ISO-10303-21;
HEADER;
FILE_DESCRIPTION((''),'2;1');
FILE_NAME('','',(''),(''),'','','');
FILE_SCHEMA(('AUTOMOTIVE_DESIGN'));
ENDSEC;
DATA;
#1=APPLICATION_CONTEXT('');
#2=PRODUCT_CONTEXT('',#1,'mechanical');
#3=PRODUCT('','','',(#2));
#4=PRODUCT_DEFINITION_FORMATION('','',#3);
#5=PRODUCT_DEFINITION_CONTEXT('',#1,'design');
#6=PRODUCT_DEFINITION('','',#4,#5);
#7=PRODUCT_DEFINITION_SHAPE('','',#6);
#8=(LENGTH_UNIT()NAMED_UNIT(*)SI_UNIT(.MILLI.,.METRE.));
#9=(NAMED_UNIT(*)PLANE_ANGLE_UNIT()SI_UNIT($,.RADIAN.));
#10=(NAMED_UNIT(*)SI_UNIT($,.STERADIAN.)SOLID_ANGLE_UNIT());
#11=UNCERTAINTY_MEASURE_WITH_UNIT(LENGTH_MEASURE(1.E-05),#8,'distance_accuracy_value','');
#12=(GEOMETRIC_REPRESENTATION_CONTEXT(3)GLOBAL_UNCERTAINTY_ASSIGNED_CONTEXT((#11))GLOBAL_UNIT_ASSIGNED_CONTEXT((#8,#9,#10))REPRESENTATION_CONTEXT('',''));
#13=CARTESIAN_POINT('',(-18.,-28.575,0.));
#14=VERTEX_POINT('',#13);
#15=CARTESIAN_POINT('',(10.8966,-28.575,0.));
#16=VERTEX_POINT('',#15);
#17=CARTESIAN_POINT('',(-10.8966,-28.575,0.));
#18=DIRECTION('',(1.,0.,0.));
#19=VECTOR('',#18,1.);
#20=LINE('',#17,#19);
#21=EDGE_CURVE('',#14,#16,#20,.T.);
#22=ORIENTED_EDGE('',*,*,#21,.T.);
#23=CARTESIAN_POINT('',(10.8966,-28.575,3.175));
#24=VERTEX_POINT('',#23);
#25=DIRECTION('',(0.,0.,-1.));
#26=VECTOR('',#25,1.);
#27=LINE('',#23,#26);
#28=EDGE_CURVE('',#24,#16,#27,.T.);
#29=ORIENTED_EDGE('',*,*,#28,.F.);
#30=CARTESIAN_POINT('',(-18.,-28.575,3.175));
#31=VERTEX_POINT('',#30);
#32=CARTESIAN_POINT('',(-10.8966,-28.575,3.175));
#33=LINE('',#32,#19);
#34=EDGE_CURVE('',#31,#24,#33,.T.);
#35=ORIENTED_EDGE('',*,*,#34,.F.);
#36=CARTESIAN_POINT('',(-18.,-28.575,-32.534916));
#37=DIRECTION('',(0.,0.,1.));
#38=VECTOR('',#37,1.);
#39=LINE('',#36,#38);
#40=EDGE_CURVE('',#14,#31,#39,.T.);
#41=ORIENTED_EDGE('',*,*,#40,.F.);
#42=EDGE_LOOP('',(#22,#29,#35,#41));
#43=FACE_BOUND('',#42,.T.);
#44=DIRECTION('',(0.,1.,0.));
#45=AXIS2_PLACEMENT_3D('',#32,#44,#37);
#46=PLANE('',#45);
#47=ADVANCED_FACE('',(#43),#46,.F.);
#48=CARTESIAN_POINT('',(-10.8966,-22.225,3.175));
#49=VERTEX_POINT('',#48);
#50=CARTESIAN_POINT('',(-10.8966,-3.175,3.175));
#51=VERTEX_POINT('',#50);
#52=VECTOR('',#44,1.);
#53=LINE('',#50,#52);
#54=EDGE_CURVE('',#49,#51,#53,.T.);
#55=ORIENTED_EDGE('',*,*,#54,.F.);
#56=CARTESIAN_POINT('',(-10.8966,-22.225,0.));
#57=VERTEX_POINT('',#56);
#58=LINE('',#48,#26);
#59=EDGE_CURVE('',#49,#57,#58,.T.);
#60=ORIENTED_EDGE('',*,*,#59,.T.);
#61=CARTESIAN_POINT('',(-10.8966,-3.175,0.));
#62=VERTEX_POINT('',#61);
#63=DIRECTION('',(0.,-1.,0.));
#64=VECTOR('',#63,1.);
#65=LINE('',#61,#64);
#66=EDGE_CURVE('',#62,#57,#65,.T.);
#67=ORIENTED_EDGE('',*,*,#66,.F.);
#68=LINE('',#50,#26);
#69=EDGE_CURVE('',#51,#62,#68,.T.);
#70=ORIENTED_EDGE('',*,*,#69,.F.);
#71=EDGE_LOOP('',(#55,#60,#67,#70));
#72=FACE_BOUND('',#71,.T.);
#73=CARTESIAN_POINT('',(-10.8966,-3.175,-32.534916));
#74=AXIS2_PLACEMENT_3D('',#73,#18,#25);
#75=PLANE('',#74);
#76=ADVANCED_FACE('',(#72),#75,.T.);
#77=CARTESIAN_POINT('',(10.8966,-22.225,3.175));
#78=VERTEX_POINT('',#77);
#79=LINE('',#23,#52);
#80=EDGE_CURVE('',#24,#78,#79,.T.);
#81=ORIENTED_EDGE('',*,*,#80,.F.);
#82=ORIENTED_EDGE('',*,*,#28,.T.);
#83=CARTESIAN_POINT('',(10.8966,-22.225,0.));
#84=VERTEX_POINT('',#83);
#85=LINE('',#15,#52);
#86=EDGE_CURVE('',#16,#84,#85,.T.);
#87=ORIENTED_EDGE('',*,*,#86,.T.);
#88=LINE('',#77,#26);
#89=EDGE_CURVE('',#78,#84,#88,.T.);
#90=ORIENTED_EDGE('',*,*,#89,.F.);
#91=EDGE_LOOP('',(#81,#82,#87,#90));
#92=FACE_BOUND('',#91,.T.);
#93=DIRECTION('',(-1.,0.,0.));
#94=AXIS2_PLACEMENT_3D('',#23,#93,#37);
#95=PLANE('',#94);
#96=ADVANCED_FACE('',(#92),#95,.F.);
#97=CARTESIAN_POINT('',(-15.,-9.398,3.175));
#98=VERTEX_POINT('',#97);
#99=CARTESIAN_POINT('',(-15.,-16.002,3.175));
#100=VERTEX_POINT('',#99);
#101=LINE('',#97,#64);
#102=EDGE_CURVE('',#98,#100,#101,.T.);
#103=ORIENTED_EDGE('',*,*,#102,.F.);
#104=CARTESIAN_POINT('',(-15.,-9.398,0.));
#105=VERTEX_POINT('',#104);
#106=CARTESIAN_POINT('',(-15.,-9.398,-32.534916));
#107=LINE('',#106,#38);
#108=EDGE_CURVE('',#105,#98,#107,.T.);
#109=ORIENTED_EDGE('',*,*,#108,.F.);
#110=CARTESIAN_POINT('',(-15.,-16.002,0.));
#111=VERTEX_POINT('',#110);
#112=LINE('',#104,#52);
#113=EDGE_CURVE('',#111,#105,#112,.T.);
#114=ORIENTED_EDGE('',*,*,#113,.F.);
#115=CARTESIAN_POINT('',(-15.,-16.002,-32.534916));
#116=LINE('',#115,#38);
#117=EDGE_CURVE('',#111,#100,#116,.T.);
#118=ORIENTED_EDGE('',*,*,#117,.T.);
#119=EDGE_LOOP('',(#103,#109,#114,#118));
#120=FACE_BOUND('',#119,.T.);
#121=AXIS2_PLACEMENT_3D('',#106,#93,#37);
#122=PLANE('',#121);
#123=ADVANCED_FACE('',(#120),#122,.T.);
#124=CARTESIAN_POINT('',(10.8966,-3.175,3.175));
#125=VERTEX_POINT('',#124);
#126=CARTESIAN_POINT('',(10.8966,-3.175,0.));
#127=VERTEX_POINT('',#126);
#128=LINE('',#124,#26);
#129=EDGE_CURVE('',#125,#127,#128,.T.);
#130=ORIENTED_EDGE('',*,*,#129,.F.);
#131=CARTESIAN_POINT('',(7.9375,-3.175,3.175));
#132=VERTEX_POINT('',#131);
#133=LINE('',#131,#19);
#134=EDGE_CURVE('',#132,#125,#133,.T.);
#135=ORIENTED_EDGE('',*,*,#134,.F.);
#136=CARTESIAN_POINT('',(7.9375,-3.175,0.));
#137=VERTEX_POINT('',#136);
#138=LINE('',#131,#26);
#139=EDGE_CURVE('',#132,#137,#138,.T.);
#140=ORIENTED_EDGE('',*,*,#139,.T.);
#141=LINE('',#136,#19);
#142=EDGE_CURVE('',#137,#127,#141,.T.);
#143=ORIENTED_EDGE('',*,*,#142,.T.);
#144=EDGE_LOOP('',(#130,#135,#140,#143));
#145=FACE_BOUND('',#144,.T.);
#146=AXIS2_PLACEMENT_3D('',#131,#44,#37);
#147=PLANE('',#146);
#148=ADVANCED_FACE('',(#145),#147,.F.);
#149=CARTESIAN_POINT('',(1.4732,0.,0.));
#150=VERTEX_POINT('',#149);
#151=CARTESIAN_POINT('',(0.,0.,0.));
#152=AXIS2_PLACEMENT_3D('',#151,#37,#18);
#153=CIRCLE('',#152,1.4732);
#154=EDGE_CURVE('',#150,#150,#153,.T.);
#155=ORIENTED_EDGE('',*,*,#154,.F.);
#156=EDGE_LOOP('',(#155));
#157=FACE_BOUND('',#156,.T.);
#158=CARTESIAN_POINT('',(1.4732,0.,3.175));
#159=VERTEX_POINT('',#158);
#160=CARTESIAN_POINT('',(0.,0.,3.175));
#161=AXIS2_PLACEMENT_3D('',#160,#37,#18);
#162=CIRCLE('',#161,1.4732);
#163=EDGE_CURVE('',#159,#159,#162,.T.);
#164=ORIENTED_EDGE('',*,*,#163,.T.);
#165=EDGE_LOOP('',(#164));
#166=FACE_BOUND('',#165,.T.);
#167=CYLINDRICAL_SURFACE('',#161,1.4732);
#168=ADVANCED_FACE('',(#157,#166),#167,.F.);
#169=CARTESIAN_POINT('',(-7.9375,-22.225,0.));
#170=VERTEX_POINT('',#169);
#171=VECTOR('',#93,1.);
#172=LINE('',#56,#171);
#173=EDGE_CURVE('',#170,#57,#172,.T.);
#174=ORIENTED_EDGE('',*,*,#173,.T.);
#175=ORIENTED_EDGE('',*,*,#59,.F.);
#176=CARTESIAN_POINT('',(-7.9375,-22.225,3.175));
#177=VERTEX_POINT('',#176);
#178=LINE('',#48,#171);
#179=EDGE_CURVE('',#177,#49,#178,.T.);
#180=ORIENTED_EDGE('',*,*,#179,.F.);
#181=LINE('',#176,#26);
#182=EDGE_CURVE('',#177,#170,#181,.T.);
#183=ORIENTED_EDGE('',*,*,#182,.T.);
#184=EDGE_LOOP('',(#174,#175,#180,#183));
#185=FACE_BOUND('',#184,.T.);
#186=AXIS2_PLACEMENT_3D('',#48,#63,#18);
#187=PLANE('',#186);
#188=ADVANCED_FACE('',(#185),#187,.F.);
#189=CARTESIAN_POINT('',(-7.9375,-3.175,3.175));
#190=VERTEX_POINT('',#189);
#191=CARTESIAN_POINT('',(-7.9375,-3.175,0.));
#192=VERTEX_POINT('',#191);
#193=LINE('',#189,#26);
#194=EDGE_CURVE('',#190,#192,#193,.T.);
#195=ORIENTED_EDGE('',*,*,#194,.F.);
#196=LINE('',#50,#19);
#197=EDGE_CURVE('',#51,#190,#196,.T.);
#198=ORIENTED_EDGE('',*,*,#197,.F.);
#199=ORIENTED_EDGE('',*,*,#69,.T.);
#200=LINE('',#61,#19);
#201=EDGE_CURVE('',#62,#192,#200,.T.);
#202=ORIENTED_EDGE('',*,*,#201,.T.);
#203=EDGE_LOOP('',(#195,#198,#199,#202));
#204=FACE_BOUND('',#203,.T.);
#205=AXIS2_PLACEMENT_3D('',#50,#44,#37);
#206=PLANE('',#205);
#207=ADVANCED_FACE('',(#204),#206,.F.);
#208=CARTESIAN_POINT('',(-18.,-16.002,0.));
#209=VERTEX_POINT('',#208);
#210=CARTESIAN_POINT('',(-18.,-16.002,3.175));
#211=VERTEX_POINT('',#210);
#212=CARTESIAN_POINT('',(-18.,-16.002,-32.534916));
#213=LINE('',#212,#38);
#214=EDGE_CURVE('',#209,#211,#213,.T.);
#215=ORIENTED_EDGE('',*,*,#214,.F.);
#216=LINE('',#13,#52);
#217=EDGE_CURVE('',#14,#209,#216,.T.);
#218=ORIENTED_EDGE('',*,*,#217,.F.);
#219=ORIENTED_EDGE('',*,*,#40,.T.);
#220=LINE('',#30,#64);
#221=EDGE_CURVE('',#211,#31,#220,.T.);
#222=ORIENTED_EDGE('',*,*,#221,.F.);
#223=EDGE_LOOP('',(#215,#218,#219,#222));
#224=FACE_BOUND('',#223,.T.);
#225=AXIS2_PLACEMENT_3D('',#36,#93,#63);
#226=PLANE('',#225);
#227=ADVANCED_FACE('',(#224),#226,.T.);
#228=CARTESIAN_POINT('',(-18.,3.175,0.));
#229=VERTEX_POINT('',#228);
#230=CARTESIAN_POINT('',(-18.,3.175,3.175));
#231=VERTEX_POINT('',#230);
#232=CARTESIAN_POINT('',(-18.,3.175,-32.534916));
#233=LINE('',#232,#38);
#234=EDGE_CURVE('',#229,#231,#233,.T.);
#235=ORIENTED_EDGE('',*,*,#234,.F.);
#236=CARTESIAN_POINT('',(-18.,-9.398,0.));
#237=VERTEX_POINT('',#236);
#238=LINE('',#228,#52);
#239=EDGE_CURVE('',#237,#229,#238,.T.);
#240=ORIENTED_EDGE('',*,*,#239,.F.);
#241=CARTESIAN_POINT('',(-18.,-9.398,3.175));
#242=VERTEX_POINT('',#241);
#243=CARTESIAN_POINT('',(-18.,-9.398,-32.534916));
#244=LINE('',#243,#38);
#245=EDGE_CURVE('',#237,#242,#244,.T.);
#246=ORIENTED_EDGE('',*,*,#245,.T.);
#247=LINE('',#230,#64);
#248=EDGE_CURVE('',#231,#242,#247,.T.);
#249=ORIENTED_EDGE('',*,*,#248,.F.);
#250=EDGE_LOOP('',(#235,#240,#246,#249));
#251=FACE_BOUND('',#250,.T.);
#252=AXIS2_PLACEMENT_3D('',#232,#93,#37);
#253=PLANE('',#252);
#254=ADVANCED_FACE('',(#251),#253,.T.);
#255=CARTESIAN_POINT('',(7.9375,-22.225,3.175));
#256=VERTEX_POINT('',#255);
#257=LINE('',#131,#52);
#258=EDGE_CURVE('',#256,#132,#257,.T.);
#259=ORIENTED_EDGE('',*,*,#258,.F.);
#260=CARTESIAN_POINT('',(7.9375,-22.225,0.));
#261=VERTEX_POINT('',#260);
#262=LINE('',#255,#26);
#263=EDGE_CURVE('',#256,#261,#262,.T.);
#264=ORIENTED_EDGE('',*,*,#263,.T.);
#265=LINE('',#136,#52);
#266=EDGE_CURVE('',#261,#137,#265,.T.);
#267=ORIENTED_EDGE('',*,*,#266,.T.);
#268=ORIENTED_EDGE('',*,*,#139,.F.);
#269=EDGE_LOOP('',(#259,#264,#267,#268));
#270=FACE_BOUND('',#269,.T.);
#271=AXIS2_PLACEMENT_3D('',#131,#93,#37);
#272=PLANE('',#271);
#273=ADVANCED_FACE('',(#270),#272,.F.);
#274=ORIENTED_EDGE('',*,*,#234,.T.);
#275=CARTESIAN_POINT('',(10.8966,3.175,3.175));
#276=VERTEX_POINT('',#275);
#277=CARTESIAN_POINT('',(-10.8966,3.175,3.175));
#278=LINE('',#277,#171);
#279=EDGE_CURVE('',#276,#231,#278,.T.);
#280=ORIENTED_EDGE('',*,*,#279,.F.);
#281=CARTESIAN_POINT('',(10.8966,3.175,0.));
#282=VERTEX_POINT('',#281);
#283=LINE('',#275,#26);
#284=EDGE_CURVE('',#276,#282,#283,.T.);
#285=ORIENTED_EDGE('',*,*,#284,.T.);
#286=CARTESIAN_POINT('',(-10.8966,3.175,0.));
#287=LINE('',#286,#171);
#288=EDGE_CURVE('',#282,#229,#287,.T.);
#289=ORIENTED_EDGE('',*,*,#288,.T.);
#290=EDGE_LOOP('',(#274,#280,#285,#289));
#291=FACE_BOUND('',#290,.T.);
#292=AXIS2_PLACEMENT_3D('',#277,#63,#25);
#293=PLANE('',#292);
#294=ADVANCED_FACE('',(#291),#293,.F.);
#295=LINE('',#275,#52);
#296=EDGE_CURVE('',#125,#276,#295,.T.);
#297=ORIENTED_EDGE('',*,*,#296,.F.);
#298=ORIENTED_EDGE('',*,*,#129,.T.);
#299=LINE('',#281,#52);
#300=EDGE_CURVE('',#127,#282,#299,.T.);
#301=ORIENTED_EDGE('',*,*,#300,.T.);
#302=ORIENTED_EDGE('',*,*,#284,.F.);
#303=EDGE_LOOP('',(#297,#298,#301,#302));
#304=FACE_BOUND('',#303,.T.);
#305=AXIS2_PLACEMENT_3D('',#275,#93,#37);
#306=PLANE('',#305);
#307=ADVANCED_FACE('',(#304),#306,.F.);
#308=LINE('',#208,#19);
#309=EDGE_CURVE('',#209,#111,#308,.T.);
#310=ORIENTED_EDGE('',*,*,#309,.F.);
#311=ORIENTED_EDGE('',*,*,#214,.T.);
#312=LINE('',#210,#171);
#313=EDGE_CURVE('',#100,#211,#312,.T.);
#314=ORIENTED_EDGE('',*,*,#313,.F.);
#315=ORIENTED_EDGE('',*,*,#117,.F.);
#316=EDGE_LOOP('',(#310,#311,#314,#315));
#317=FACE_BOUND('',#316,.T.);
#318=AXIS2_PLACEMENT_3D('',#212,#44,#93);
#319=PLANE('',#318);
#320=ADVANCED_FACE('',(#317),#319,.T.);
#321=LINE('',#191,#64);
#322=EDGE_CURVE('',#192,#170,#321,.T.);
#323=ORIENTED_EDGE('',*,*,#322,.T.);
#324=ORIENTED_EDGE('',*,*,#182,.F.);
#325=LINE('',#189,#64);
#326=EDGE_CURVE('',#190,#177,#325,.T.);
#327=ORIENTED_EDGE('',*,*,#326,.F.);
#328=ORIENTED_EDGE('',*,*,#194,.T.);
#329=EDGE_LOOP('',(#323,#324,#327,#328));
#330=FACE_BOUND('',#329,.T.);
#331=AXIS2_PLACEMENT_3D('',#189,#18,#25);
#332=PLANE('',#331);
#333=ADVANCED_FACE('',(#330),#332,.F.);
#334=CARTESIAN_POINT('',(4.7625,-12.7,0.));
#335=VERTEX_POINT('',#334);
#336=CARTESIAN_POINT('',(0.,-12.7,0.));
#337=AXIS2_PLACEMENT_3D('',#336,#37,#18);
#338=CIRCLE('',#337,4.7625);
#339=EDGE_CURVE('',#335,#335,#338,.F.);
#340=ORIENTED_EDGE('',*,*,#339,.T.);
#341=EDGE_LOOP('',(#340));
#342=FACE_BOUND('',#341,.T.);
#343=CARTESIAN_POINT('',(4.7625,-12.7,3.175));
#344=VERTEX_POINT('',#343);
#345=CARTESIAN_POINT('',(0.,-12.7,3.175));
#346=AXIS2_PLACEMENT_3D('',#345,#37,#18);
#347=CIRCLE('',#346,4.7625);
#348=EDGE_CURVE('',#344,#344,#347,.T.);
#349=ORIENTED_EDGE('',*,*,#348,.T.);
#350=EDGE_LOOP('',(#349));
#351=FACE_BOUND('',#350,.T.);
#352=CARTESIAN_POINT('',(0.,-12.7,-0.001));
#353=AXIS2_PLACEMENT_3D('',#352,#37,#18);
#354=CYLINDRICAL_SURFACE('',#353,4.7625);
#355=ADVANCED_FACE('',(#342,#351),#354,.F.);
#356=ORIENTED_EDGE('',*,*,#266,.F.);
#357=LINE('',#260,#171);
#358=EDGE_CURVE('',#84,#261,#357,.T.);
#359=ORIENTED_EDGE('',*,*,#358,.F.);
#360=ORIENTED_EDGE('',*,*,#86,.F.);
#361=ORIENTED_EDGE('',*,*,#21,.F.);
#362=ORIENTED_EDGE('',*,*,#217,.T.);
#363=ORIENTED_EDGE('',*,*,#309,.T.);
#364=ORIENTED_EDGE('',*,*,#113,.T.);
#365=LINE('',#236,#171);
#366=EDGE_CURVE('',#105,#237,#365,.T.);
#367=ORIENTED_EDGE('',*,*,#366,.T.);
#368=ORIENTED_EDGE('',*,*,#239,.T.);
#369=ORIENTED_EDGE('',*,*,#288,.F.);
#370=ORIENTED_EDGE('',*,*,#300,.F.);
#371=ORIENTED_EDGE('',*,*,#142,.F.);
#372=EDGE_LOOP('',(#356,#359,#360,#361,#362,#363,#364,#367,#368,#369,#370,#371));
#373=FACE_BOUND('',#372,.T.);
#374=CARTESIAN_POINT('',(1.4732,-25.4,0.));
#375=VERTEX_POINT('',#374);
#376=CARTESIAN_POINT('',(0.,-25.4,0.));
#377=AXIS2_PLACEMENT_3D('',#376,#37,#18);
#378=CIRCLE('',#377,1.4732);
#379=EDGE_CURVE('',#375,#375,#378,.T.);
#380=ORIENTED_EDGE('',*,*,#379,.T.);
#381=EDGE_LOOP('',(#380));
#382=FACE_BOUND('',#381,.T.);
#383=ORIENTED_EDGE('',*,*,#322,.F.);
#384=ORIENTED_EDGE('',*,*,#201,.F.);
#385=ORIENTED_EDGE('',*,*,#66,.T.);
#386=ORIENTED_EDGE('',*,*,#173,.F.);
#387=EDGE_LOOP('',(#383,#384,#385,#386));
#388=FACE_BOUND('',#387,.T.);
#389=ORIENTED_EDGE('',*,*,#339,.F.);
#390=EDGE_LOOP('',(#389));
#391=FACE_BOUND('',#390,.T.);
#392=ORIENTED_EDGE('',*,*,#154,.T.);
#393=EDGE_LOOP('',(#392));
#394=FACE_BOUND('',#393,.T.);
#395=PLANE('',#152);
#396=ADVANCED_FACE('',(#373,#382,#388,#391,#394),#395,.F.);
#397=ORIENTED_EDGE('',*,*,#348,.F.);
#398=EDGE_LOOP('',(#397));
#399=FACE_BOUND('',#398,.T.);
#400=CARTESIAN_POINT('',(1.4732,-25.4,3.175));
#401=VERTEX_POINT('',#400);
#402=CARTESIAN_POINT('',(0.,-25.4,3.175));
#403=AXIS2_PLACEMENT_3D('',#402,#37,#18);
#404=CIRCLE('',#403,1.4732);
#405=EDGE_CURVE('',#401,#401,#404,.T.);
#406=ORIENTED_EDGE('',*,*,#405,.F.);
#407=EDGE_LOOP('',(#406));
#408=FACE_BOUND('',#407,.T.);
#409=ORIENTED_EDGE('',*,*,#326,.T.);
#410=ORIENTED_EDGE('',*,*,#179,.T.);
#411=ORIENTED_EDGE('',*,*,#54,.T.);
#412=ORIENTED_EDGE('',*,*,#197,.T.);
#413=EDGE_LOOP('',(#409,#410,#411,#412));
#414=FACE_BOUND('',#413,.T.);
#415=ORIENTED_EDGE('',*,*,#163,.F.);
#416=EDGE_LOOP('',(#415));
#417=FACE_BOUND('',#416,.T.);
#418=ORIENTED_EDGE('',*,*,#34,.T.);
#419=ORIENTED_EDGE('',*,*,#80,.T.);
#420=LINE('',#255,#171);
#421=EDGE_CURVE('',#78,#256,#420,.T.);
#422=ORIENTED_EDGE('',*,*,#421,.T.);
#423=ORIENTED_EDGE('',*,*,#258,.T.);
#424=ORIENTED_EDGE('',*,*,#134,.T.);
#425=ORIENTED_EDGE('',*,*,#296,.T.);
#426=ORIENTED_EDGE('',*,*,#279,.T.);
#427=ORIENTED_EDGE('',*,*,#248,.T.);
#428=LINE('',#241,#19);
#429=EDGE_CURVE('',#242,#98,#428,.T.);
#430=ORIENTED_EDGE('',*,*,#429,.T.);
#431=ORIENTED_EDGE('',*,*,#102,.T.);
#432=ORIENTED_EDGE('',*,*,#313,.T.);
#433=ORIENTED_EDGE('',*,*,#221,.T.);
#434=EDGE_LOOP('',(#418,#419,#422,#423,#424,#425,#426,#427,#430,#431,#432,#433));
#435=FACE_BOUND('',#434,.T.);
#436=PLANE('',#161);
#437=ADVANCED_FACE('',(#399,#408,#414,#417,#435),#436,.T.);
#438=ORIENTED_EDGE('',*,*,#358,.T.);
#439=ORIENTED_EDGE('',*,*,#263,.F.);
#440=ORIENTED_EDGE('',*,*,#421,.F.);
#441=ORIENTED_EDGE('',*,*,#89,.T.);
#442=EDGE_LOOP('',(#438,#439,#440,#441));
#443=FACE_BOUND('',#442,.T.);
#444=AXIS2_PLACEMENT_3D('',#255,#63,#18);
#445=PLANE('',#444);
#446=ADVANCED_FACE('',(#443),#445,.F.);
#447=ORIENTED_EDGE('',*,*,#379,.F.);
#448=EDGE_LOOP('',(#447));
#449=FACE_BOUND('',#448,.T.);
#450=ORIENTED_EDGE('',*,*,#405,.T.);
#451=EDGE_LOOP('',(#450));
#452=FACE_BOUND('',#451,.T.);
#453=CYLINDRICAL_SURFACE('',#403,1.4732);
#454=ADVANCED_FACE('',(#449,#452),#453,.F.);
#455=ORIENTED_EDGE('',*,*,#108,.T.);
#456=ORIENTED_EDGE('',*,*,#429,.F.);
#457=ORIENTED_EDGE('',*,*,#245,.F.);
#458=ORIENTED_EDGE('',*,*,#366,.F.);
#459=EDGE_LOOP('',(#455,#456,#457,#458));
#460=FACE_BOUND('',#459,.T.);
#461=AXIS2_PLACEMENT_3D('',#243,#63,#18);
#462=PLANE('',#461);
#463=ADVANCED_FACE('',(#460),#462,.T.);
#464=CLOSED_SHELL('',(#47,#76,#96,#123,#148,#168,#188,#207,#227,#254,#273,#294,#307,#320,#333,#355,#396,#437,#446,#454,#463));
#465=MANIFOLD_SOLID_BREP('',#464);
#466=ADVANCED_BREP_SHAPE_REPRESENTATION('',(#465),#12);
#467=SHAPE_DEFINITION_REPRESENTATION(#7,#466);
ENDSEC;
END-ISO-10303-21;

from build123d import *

# Parameters (mm, degrees)
BOSS_EXTRUDE1_DEPTH       = 3.175
F_4_CLEARANCE_HOLE1_D     = 2.9464
F_4_CLEARANCE_HOLE1_DEPTH = 3.302
F_4_CLEARANCE_HOLE1_TIP   = 0.885187864
CUT_EXTRUDE1_REACH        = 5.175
SKETCH4_R                 = 4.7625
BOSS_EXTRUDE2_DEPTH       = 3.175


with BuildPart() as part:
    # Sketch1 → Boss-Extrude1 (new body)
    with BuildSketch(Plane.XY):
        Polygon((7.9375, -3.175), (10.8966, -3.175), (10.8966, 3.175), (-10.8966, 3.175), (-10.8966, -3.175), (-7.9375, -3.175), (-7.9375, -22.225), (-10.8966, -22.225), (-10.8966, -28.575), (10.8966, -28.575), (10.8966, -22.225), (7.9375, -22.225), align=None)
    extrude(amount=BOSS_EXTRUDE1_DEPTH)

    # #4 Clearance Hole1
    with Locations(Plane.XY.offset(3.175)):
        with Locations((0, 0), (0, -25.4)):
            Hole(F_4_CLEARANCE_HOLE1_D / 2, depth=F_4_CLEARANCE_HOLE1_DEPTH)
            with Locations((0, 0, -(F_4_CLEARANCE_HOLE1_DEPTH + F_4_CLEARANCE_HOLE1_TIP / 2))):  # 118° drill point
                Cone(0, F_4_CLEARANCE_HOLE1_D / 2, F_4_CLEARANCE_HOLE1_TIP, mode=Mode.SUBTRACT)

    # Sketch4 → Cut-Extrude1 (cut, up to next)
    with BuildSketch(Plane.XY.offset(3.175), mode=Mode.PRIVATE) as cut_extrude1_sk1:
        with Locations((0, -12.7)):
            Circle(SKETCH4_R)
    cut_extrude1_tool1 = extrude(cut_extrude1_sk1.sketch, amount=-CUT_EXTRUDE1_REACH, mode=Mode.PRIVATE) & part.part
    add(cut_extrude1_tool1.solids().sort_by_distance((0, -12.7, 3.175))[0], mode=Mode.SUBTRACT)

    # Sketch5 → Boss-Extrude2 (add)
    with BuildSketch(Plane.XY.offset(3.175)):
        Polygon((-10.8966, -3.175), (-10.8966, -22.225), (-10.8966, -28.575), (-18, -28.575), (-18, -16.002), (-15, -16.002), (-15, -9.398), (-18, -9.398), (-18, 3.175), (-10.8966, 3.175), align=None)
    extrude(amount=-BOSS_EXTRUDE2_DEPTH)


solid = part.part
